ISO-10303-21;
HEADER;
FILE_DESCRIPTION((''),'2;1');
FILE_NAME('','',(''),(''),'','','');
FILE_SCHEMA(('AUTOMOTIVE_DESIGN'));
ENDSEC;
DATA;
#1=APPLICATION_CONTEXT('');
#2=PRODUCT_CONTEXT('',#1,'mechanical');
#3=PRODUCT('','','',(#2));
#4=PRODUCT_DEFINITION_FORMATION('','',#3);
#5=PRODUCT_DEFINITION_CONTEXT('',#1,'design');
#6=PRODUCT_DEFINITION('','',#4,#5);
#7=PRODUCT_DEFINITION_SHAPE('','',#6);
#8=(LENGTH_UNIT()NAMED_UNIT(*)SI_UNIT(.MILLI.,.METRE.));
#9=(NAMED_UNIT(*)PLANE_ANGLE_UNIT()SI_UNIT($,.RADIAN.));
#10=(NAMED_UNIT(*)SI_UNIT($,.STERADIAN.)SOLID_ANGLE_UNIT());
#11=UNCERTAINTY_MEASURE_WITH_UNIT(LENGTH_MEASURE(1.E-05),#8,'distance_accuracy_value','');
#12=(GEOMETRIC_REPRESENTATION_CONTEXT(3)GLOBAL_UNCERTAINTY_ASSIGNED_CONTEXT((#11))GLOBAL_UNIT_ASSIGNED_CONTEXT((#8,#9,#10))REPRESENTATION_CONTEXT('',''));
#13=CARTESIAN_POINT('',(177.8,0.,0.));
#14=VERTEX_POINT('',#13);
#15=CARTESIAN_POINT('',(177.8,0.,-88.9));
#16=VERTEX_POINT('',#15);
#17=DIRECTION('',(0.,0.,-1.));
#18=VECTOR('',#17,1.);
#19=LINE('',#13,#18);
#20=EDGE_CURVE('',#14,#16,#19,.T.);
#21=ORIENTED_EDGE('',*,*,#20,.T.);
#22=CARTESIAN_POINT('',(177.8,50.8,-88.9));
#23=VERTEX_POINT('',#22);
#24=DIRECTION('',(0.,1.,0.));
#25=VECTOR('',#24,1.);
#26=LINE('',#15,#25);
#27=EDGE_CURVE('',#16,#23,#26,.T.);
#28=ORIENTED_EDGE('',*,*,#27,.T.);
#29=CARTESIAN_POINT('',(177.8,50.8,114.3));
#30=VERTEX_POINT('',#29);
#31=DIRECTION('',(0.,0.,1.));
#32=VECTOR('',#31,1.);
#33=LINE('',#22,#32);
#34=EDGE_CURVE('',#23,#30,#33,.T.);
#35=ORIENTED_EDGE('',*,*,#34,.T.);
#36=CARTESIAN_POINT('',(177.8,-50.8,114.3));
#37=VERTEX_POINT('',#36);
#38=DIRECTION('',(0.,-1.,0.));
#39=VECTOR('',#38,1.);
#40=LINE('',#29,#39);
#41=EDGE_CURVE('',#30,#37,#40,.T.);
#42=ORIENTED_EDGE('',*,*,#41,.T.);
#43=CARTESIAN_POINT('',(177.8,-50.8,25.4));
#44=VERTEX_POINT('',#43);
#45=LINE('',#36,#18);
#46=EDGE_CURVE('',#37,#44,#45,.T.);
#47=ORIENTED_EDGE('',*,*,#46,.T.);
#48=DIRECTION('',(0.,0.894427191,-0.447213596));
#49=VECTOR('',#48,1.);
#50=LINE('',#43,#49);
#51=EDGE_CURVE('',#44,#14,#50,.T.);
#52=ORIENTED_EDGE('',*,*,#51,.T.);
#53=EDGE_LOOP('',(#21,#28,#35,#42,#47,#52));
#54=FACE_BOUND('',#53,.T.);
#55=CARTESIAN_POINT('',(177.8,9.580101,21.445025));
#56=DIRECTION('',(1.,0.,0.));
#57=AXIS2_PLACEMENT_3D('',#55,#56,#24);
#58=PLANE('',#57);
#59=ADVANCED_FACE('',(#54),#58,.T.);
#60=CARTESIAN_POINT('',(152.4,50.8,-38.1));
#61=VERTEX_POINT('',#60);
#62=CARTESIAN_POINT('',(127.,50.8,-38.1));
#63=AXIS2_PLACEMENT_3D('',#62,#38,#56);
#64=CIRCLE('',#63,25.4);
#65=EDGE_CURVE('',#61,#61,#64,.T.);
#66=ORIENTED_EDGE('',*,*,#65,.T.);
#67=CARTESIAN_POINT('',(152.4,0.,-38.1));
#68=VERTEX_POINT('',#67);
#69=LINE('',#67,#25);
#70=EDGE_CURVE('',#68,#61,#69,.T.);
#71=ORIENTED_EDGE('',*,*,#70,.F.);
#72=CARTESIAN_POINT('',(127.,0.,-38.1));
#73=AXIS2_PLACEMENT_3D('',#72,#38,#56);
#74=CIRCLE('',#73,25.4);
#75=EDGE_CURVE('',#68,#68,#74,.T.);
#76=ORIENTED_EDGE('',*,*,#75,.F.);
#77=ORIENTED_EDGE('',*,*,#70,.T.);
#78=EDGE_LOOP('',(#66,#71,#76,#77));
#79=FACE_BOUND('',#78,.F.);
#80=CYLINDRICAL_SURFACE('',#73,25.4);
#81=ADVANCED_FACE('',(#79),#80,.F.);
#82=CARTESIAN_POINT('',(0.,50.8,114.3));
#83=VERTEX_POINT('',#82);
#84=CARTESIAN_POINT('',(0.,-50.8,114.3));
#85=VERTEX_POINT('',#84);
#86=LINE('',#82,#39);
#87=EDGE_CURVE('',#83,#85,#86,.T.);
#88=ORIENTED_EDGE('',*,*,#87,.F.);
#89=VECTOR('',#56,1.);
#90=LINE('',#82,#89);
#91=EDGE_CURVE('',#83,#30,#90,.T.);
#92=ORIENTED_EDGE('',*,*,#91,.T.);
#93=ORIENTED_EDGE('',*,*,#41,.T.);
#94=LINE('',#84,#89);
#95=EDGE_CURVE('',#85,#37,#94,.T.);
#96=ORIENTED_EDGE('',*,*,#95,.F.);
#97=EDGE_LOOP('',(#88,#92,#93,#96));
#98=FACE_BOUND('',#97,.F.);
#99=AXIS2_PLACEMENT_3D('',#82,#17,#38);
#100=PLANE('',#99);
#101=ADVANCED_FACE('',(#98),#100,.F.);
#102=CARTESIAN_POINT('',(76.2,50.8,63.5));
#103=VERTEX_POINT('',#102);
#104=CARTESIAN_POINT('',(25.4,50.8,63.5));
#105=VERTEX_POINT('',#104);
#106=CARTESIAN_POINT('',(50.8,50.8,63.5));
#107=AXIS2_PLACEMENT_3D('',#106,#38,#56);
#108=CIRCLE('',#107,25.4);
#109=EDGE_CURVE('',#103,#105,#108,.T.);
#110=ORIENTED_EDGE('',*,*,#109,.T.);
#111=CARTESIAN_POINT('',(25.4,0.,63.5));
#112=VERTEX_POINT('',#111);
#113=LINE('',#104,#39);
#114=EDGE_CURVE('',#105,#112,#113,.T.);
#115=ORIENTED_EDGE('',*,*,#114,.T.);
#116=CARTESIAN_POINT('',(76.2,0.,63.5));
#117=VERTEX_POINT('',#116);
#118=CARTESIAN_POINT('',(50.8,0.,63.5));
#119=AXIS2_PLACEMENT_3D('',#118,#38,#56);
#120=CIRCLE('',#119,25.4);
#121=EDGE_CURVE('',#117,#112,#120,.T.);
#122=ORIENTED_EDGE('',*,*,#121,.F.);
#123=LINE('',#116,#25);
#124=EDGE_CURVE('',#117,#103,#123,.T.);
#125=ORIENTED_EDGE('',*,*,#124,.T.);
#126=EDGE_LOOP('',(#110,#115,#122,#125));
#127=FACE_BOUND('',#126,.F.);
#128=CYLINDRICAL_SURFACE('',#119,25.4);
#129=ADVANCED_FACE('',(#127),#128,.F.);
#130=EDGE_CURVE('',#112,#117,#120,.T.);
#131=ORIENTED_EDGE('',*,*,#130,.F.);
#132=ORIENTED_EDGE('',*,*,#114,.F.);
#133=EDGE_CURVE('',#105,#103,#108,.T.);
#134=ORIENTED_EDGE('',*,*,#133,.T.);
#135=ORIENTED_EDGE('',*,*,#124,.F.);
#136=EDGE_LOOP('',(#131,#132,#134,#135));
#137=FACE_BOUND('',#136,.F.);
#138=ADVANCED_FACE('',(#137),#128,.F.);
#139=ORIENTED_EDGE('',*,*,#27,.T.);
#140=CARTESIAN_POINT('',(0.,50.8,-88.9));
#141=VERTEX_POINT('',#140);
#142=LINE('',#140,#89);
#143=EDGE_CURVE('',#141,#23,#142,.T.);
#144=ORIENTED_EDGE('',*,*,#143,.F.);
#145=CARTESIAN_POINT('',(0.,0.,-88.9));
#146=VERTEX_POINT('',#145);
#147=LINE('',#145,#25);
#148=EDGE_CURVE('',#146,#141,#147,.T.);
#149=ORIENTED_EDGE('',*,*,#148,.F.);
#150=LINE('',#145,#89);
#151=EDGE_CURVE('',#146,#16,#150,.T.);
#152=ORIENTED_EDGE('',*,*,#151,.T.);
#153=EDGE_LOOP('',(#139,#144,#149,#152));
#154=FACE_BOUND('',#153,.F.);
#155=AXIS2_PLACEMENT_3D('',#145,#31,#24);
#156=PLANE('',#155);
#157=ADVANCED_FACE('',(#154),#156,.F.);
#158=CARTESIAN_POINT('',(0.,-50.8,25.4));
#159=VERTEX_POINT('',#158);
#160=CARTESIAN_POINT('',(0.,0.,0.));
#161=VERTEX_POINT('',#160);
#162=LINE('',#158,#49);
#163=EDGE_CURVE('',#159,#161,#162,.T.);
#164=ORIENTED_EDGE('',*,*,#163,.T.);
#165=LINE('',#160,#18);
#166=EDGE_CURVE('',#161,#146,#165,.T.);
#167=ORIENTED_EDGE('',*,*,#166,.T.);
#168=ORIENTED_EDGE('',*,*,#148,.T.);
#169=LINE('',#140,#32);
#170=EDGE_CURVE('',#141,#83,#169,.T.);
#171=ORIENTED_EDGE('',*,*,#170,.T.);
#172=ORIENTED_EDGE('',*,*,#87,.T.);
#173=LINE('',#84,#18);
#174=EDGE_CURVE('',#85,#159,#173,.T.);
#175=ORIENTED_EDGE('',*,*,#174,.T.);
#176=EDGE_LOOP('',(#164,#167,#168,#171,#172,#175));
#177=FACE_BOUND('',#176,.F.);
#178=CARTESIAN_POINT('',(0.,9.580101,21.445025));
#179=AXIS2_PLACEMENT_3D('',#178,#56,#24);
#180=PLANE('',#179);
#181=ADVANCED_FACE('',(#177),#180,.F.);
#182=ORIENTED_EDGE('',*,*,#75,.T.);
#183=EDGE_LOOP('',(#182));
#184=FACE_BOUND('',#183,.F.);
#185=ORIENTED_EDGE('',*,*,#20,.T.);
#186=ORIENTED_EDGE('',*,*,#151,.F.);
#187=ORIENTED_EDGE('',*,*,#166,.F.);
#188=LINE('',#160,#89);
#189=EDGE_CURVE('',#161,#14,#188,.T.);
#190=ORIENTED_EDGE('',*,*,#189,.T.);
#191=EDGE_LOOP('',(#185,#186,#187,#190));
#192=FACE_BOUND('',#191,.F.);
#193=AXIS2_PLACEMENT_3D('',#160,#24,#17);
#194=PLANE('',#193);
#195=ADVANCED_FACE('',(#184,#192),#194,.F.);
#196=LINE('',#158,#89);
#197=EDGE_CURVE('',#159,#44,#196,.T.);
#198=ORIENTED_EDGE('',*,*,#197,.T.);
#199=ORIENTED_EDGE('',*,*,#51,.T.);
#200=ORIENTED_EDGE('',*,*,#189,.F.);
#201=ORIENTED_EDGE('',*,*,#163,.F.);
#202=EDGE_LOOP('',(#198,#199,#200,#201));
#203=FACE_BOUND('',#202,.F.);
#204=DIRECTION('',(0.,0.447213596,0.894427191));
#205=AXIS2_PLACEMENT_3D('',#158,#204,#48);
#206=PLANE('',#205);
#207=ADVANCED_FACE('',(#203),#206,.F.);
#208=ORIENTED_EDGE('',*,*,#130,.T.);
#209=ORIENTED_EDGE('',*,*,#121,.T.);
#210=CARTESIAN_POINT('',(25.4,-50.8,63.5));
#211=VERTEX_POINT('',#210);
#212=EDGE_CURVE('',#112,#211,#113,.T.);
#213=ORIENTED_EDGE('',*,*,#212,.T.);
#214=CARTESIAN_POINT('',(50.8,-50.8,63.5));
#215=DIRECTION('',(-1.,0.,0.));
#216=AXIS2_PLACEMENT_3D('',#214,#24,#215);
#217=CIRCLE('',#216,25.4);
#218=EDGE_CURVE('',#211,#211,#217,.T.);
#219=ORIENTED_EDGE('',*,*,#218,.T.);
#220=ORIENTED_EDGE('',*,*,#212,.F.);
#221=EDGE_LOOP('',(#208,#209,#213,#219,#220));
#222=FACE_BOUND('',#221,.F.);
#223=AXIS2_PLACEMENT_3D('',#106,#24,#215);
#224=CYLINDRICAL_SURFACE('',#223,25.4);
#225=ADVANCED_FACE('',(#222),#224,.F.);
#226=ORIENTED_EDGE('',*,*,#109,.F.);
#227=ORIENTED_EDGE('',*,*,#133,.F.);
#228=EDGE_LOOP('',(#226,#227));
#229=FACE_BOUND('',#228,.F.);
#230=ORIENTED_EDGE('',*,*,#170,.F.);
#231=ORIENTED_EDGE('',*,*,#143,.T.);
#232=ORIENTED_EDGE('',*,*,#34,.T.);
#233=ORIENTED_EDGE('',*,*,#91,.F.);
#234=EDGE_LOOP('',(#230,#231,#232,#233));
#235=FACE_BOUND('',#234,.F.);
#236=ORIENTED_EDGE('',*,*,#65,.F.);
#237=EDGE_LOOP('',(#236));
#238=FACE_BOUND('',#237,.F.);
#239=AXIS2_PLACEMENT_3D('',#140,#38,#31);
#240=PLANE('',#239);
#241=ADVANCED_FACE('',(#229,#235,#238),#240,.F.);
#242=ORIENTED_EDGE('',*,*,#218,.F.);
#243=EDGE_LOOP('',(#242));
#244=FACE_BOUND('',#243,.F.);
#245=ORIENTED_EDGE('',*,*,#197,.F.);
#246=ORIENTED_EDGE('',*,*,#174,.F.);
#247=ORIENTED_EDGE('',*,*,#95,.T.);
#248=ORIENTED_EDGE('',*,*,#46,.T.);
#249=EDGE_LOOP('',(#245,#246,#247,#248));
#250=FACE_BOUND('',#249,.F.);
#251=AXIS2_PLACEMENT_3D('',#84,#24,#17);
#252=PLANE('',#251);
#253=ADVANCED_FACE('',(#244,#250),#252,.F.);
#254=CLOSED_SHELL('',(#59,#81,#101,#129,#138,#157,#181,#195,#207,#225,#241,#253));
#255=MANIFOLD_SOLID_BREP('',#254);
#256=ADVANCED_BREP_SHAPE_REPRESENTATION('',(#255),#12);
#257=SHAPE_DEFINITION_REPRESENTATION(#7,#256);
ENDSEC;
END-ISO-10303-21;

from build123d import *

# Parameters (mm, degrees)
F1_DEPTH = 177.8
F2_R     = 25.4
F3_DEPTH = 136.398
F4_R     = 25.4
F5_DEPTH = 138.684


with BuildPart() as f1:
    # F0 (on Right) → F1 (new body)
    with BuildSketch(Plane.YZ):
        Polygon((0, 0), (0, -88.9), (50.8, -88.9), (50.8, 114.3), (-50.8, 114.3), (-50.8, 25.4), align=None)
    extrude(amount=F1_DEPTH)

    # F2 (on Front) → F3 (cut)
    with BuildSketch(Plane.XZ):
        with Locations((50.8, 63.5)):
            Circle(F2_R)
        with Locations((127, -38.1)):
            Circle(F2_R)
    extrude(amount=-F3_DEPTH, mode=Mode.SUBTRACT)

    # F4 (on face) → F5 (cut)
    with BuildSketch(Plane(origin=(0, 50.8, 0), x_dir=(-1, 0, 0), z_dir=(0, 1, 0))):
        with Locations((-50.8, 63.5)):
            Circle(F4_R)
    extrude(amount=-F5_DEPTH, mode=Mode.SUBTRACT)


solid = f1.part
